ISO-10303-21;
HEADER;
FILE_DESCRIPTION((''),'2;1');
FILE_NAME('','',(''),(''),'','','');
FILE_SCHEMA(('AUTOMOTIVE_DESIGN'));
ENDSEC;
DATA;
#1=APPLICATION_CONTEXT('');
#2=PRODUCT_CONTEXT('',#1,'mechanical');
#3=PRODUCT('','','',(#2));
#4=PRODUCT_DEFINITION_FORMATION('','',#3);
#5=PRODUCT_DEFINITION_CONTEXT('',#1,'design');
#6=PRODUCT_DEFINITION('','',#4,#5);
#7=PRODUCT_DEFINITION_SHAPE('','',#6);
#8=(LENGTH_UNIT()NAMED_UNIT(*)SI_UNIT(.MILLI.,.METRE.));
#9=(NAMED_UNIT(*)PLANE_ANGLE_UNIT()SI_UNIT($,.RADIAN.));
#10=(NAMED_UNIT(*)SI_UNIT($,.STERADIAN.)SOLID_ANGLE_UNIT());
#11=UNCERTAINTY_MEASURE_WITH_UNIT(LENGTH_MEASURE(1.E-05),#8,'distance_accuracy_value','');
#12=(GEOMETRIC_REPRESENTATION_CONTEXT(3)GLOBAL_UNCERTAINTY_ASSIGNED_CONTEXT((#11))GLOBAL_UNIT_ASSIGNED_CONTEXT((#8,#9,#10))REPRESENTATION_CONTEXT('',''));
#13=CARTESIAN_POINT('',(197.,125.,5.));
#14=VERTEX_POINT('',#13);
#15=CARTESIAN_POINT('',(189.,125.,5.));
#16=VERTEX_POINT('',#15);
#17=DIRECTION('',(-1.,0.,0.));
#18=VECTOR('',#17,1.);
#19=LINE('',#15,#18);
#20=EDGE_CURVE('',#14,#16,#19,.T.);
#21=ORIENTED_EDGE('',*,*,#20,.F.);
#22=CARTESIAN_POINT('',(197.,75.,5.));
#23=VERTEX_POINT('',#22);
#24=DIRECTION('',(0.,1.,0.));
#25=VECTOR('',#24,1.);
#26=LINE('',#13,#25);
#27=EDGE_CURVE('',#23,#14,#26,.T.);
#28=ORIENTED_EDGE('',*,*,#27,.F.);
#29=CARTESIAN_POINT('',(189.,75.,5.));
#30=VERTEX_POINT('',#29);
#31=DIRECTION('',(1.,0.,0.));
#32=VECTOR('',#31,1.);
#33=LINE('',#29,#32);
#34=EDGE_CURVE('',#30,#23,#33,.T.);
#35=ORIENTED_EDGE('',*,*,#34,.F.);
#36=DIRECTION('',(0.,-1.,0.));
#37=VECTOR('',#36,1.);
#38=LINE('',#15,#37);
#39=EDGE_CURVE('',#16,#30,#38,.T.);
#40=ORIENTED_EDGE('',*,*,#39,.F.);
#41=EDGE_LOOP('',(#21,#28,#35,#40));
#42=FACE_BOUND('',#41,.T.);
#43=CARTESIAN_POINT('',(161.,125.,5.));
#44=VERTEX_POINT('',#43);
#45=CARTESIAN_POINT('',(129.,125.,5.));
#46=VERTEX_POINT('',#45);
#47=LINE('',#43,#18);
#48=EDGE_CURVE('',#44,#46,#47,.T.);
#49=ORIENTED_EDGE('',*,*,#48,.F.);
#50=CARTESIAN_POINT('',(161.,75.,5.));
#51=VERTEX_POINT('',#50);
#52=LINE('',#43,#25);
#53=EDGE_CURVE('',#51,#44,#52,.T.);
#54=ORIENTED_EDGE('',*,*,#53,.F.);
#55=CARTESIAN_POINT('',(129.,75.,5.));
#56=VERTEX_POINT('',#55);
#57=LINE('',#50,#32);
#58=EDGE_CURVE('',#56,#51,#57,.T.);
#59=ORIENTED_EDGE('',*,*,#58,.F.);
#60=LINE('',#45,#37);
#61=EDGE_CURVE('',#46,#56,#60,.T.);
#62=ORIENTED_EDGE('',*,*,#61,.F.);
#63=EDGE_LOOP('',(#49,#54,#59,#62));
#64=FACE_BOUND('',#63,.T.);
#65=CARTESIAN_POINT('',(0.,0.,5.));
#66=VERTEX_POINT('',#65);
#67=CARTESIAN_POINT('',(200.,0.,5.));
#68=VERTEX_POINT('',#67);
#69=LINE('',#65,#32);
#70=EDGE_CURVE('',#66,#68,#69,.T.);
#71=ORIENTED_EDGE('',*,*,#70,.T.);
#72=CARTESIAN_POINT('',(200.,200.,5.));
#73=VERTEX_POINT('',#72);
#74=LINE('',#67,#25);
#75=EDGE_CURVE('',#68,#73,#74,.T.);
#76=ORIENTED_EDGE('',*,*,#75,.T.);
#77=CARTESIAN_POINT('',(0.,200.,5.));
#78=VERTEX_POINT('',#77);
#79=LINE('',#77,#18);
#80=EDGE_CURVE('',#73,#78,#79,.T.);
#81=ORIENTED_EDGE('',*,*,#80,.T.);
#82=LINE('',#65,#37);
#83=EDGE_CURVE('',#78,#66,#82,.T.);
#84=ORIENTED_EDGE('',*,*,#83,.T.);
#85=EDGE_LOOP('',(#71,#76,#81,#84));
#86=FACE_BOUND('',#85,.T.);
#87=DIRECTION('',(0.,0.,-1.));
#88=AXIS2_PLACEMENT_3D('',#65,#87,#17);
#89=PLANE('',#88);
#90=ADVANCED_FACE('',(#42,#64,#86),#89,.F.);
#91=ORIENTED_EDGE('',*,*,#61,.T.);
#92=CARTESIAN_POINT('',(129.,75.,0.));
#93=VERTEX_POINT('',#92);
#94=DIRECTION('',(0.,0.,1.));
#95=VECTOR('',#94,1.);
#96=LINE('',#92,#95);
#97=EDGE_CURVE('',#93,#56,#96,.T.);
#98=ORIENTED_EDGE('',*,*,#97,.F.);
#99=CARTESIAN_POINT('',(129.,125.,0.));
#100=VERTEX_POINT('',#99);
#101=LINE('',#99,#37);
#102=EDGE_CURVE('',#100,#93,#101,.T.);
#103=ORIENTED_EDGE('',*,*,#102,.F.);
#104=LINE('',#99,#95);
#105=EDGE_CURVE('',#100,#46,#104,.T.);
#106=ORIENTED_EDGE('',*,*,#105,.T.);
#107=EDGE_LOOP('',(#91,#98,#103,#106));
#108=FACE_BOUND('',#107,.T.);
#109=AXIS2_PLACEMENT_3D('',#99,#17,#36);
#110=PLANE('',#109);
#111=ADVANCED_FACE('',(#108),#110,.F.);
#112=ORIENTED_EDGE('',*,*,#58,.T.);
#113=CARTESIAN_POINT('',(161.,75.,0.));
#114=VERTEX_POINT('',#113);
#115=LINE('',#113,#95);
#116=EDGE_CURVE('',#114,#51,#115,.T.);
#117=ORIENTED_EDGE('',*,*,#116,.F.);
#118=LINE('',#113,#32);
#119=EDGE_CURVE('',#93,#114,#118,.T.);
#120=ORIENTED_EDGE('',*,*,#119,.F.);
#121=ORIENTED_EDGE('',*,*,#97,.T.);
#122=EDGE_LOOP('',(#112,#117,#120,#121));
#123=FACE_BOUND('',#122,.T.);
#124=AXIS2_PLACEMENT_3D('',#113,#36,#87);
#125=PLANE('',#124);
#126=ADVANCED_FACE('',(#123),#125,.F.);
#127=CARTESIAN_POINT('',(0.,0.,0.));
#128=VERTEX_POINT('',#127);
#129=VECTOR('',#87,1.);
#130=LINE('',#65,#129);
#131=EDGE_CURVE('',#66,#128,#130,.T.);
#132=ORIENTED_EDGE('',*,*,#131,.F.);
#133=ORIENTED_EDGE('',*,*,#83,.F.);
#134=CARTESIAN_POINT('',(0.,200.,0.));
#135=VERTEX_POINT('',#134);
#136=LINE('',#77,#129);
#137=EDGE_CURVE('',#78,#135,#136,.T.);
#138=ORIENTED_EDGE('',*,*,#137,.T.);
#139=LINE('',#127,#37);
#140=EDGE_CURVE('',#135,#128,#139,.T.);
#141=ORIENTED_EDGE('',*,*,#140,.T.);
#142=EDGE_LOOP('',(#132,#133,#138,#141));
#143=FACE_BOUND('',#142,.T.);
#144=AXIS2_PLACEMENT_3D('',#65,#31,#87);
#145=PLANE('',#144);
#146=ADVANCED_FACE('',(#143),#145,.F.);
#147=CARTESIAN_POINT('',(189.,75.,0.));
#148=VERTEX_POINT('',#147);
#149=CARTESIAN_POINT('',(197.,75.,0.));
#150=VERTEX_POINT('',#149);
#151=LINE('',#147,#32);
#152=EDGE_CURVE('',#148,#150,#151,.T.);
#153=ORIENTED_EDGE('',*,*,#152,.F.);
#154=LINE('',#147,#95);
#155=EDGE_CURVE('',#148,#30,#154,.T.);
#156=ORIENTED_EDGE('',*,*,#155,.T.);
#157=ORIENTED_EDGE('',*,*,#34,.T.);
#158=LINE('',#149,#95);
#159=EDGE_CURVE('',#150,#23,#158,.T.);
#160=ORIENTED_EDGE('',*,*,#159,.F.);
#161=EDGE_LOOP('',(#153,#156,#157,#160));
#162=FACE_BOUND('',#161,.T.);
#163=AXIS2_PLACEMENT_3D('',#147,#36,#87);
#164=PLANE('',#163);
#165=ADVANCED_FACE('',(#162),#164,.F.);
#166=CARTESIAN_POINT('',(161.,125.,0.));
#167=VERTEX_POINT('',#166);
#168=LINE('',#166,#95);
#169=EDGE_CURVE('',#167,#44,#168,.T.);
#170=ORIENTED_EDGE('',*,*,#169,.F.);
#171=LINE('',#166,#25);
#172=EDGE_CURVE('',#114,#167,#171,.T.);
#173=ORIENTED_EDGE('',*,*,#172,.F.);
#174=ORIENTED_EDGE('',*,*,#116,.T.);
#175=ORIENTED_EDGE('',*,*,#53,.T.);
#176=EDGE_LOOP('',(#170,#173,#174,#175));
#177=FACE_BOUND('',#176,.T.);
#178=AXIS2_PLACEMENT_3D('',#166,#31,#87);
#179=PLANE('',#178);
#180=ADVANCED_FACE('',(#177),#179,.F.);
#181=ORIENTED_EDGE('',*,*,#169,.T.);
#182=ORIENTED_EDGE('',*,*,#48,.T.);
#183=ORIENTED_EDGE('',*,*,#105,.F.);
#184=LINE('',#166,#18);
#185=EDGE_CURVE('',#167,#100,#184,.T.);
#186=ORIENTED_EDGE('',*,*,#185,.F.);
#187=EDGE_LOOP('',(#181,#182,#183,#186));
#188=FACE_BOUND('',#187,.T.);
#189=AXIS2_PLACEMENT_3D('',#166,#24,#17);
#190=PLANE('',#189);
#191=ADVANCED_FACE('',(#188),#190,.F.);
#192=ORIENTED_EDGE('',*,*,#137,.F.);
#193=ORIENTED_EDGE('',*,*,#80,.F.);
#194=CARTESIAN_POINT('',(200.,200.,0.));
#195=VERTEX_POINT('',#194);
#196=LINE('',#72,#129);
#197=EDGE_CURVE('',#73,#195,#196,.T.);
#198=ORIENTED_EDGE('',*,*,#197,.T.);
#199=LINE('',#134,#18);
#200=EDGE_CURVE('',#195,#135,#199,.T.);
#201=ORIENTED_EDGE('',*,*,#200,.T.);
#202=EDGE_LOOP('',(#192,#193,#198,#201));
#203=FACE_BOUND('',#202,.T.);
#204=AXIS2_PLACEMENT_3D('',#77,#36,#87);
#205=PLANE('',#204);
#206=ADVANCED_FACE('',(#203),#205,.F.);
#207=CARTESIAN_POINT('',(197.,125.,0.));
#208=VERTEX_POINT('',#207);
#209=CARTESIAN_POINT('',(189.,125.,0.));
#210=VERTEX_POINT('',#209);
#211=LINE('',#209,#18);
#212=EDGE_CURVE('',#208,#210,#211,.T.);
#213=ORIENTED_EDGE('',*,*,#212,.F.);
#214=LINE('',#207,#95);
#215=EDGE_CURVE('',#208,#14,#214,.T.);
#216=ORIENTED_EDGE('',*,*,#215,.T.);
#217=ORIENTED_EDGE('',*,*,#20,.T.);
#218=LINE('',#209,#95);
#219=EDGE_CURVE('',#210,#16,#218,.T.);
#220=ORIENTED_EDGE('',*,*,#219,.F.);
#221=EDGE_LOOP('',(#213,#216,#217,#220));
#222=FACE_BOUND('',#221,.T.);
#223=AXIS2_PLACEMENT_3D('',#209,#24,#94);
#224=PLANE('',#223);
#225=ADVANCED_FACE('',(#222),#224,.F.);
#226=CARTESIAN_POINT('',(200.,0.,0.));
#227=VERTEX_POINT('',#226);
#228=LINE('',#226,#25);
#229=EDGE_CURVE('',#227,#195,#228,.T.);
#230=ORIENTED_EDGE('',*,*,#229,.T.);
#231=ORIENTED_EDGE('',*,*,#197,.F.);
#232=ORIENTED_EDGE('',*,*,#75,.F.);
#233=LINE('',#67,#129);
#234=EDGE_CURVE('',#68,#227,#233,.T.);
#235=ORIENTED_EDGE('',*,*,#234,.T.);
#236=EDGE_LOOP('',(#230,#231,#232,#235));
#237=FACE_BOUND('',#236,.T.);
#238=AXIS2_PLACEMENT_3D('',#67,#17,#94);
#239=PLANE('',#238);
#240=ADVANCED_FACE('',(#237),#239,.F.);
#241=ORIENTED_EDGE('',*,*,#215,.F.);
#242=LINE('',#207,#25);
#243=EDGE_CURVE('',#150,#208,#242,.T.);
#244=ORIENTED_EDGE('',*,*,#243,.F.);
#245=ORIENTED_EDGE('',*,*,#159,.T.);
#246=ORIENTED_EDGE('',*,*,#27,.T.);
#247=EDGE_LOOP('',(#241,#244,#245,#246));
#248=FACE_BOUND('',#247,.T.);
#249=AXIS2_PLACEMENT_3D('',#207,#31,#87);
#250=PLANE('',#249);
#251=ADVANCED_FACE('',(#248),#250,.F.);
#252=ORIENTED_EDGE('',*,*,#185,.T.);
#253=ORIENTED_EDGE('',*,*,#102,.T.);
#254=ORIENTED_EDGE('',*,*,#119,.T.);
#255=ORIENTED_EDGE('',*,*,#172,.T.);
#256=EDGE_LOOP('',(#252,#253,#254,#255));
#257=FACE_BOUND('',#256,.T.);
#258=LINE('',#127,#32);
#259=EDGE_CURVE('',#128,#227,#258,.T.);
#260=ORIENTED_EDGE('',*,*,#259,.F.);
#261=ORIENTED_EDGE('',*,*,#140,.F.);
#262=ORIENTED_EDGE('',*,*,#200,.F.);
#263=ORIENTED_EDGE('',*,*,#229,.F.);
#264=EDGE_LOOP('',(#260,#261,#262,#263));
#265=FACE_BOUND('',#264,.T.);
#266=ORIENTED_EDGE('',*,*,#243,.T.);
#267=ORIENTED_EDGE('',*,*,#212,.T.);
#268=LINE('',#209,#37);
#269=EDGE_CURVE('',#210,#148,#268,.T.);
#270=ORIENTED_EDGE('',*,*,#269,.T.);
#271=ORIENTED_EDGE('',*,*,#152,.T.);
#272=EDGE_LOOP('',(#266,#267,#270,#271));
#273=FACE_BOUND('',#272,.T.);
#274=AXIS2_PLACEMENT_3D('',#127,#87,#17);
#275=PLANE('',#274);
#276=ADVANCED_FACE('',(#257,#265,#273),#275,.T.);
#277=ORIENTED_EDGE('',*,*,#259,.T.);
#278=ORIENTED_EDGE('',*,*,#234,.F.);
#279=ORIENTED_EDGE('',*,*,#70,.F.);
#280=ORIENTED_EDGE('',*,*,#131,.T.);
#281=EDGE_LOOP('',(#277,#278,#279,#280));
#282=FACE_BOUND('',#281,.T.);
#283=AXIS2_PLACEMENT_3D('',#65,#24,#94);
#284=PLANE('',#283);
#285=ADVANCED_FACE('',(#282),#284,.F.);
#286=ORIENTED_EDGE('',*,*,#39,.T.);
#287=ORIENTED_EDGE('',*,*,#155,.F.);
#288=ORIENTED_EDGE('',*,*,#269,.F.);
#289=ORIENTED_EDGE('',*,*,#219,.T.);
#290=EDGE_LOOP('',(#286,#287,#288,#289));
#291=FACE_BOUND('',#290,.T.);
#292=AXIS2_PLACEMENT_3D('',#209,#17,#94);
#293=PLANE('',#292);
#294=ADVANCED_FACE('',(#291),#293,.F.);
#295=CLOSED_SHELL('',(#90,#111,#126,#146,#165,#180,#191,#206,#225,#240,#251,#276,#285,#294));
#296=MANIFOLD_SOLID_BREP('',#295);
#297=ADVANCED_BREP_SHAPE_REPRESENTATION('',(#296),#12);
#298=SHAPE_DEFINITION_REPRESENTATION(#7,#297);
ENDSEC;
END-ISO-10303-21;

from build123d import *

# Parameters (mm, degrees)
ESQUISSE1_W             = 200
ESQUISSE1_H             = 200
BOSS_EXTRU_1_DEPTH      = 5
ESQUISSE2_W             = 8
ESQUISSE2_H             = 50
ENL_V_MAT_EXTRU_1_DEPTH = 5
ESQUISSE3_W             = 32
ESQUISSE3_H             = 50
ENL_V_MAT_EXTRU_2_DEPTH = 5


with BuildPart() as part:
    # Esquisse1 → Boss.-Extru.1 (new body)
    with BuildSketch(Plane.XY):
        with Locations((100, 100)):
            Rectangle(ESQUISSE1_W, ESQUISSE1_H)
    extrude(amount=BOSS_EXTRU_1_DEPTH)

    # Esquisse2 → Enlèv. mat.-Extru.1 (cut)
    with BuildSketch(Plane.XY.offset(5)):
        with Locations((193, 100)):
            Rectangle(ESQUISSE2_W, ESQUISSE2_H)
    extrude(amount=-ENL_V_MAT_EXTRU_1_DEPTH, mode=Mode.SUBTRACT)

    # Esquisse3 → Enlèv. mat.-Extru.2 (cut)
    with BuildSketch(Plane.XY.offset(5)):
        with Locations((145, 100)):
            Rectangle(ESQUISSE3_W, ESQUISSE3_H)
    extrude(amount=-ENL_V_MAT_EXTRU_2_DEPTH, mode=Mode.SUBTRACT)


solid = part.part
